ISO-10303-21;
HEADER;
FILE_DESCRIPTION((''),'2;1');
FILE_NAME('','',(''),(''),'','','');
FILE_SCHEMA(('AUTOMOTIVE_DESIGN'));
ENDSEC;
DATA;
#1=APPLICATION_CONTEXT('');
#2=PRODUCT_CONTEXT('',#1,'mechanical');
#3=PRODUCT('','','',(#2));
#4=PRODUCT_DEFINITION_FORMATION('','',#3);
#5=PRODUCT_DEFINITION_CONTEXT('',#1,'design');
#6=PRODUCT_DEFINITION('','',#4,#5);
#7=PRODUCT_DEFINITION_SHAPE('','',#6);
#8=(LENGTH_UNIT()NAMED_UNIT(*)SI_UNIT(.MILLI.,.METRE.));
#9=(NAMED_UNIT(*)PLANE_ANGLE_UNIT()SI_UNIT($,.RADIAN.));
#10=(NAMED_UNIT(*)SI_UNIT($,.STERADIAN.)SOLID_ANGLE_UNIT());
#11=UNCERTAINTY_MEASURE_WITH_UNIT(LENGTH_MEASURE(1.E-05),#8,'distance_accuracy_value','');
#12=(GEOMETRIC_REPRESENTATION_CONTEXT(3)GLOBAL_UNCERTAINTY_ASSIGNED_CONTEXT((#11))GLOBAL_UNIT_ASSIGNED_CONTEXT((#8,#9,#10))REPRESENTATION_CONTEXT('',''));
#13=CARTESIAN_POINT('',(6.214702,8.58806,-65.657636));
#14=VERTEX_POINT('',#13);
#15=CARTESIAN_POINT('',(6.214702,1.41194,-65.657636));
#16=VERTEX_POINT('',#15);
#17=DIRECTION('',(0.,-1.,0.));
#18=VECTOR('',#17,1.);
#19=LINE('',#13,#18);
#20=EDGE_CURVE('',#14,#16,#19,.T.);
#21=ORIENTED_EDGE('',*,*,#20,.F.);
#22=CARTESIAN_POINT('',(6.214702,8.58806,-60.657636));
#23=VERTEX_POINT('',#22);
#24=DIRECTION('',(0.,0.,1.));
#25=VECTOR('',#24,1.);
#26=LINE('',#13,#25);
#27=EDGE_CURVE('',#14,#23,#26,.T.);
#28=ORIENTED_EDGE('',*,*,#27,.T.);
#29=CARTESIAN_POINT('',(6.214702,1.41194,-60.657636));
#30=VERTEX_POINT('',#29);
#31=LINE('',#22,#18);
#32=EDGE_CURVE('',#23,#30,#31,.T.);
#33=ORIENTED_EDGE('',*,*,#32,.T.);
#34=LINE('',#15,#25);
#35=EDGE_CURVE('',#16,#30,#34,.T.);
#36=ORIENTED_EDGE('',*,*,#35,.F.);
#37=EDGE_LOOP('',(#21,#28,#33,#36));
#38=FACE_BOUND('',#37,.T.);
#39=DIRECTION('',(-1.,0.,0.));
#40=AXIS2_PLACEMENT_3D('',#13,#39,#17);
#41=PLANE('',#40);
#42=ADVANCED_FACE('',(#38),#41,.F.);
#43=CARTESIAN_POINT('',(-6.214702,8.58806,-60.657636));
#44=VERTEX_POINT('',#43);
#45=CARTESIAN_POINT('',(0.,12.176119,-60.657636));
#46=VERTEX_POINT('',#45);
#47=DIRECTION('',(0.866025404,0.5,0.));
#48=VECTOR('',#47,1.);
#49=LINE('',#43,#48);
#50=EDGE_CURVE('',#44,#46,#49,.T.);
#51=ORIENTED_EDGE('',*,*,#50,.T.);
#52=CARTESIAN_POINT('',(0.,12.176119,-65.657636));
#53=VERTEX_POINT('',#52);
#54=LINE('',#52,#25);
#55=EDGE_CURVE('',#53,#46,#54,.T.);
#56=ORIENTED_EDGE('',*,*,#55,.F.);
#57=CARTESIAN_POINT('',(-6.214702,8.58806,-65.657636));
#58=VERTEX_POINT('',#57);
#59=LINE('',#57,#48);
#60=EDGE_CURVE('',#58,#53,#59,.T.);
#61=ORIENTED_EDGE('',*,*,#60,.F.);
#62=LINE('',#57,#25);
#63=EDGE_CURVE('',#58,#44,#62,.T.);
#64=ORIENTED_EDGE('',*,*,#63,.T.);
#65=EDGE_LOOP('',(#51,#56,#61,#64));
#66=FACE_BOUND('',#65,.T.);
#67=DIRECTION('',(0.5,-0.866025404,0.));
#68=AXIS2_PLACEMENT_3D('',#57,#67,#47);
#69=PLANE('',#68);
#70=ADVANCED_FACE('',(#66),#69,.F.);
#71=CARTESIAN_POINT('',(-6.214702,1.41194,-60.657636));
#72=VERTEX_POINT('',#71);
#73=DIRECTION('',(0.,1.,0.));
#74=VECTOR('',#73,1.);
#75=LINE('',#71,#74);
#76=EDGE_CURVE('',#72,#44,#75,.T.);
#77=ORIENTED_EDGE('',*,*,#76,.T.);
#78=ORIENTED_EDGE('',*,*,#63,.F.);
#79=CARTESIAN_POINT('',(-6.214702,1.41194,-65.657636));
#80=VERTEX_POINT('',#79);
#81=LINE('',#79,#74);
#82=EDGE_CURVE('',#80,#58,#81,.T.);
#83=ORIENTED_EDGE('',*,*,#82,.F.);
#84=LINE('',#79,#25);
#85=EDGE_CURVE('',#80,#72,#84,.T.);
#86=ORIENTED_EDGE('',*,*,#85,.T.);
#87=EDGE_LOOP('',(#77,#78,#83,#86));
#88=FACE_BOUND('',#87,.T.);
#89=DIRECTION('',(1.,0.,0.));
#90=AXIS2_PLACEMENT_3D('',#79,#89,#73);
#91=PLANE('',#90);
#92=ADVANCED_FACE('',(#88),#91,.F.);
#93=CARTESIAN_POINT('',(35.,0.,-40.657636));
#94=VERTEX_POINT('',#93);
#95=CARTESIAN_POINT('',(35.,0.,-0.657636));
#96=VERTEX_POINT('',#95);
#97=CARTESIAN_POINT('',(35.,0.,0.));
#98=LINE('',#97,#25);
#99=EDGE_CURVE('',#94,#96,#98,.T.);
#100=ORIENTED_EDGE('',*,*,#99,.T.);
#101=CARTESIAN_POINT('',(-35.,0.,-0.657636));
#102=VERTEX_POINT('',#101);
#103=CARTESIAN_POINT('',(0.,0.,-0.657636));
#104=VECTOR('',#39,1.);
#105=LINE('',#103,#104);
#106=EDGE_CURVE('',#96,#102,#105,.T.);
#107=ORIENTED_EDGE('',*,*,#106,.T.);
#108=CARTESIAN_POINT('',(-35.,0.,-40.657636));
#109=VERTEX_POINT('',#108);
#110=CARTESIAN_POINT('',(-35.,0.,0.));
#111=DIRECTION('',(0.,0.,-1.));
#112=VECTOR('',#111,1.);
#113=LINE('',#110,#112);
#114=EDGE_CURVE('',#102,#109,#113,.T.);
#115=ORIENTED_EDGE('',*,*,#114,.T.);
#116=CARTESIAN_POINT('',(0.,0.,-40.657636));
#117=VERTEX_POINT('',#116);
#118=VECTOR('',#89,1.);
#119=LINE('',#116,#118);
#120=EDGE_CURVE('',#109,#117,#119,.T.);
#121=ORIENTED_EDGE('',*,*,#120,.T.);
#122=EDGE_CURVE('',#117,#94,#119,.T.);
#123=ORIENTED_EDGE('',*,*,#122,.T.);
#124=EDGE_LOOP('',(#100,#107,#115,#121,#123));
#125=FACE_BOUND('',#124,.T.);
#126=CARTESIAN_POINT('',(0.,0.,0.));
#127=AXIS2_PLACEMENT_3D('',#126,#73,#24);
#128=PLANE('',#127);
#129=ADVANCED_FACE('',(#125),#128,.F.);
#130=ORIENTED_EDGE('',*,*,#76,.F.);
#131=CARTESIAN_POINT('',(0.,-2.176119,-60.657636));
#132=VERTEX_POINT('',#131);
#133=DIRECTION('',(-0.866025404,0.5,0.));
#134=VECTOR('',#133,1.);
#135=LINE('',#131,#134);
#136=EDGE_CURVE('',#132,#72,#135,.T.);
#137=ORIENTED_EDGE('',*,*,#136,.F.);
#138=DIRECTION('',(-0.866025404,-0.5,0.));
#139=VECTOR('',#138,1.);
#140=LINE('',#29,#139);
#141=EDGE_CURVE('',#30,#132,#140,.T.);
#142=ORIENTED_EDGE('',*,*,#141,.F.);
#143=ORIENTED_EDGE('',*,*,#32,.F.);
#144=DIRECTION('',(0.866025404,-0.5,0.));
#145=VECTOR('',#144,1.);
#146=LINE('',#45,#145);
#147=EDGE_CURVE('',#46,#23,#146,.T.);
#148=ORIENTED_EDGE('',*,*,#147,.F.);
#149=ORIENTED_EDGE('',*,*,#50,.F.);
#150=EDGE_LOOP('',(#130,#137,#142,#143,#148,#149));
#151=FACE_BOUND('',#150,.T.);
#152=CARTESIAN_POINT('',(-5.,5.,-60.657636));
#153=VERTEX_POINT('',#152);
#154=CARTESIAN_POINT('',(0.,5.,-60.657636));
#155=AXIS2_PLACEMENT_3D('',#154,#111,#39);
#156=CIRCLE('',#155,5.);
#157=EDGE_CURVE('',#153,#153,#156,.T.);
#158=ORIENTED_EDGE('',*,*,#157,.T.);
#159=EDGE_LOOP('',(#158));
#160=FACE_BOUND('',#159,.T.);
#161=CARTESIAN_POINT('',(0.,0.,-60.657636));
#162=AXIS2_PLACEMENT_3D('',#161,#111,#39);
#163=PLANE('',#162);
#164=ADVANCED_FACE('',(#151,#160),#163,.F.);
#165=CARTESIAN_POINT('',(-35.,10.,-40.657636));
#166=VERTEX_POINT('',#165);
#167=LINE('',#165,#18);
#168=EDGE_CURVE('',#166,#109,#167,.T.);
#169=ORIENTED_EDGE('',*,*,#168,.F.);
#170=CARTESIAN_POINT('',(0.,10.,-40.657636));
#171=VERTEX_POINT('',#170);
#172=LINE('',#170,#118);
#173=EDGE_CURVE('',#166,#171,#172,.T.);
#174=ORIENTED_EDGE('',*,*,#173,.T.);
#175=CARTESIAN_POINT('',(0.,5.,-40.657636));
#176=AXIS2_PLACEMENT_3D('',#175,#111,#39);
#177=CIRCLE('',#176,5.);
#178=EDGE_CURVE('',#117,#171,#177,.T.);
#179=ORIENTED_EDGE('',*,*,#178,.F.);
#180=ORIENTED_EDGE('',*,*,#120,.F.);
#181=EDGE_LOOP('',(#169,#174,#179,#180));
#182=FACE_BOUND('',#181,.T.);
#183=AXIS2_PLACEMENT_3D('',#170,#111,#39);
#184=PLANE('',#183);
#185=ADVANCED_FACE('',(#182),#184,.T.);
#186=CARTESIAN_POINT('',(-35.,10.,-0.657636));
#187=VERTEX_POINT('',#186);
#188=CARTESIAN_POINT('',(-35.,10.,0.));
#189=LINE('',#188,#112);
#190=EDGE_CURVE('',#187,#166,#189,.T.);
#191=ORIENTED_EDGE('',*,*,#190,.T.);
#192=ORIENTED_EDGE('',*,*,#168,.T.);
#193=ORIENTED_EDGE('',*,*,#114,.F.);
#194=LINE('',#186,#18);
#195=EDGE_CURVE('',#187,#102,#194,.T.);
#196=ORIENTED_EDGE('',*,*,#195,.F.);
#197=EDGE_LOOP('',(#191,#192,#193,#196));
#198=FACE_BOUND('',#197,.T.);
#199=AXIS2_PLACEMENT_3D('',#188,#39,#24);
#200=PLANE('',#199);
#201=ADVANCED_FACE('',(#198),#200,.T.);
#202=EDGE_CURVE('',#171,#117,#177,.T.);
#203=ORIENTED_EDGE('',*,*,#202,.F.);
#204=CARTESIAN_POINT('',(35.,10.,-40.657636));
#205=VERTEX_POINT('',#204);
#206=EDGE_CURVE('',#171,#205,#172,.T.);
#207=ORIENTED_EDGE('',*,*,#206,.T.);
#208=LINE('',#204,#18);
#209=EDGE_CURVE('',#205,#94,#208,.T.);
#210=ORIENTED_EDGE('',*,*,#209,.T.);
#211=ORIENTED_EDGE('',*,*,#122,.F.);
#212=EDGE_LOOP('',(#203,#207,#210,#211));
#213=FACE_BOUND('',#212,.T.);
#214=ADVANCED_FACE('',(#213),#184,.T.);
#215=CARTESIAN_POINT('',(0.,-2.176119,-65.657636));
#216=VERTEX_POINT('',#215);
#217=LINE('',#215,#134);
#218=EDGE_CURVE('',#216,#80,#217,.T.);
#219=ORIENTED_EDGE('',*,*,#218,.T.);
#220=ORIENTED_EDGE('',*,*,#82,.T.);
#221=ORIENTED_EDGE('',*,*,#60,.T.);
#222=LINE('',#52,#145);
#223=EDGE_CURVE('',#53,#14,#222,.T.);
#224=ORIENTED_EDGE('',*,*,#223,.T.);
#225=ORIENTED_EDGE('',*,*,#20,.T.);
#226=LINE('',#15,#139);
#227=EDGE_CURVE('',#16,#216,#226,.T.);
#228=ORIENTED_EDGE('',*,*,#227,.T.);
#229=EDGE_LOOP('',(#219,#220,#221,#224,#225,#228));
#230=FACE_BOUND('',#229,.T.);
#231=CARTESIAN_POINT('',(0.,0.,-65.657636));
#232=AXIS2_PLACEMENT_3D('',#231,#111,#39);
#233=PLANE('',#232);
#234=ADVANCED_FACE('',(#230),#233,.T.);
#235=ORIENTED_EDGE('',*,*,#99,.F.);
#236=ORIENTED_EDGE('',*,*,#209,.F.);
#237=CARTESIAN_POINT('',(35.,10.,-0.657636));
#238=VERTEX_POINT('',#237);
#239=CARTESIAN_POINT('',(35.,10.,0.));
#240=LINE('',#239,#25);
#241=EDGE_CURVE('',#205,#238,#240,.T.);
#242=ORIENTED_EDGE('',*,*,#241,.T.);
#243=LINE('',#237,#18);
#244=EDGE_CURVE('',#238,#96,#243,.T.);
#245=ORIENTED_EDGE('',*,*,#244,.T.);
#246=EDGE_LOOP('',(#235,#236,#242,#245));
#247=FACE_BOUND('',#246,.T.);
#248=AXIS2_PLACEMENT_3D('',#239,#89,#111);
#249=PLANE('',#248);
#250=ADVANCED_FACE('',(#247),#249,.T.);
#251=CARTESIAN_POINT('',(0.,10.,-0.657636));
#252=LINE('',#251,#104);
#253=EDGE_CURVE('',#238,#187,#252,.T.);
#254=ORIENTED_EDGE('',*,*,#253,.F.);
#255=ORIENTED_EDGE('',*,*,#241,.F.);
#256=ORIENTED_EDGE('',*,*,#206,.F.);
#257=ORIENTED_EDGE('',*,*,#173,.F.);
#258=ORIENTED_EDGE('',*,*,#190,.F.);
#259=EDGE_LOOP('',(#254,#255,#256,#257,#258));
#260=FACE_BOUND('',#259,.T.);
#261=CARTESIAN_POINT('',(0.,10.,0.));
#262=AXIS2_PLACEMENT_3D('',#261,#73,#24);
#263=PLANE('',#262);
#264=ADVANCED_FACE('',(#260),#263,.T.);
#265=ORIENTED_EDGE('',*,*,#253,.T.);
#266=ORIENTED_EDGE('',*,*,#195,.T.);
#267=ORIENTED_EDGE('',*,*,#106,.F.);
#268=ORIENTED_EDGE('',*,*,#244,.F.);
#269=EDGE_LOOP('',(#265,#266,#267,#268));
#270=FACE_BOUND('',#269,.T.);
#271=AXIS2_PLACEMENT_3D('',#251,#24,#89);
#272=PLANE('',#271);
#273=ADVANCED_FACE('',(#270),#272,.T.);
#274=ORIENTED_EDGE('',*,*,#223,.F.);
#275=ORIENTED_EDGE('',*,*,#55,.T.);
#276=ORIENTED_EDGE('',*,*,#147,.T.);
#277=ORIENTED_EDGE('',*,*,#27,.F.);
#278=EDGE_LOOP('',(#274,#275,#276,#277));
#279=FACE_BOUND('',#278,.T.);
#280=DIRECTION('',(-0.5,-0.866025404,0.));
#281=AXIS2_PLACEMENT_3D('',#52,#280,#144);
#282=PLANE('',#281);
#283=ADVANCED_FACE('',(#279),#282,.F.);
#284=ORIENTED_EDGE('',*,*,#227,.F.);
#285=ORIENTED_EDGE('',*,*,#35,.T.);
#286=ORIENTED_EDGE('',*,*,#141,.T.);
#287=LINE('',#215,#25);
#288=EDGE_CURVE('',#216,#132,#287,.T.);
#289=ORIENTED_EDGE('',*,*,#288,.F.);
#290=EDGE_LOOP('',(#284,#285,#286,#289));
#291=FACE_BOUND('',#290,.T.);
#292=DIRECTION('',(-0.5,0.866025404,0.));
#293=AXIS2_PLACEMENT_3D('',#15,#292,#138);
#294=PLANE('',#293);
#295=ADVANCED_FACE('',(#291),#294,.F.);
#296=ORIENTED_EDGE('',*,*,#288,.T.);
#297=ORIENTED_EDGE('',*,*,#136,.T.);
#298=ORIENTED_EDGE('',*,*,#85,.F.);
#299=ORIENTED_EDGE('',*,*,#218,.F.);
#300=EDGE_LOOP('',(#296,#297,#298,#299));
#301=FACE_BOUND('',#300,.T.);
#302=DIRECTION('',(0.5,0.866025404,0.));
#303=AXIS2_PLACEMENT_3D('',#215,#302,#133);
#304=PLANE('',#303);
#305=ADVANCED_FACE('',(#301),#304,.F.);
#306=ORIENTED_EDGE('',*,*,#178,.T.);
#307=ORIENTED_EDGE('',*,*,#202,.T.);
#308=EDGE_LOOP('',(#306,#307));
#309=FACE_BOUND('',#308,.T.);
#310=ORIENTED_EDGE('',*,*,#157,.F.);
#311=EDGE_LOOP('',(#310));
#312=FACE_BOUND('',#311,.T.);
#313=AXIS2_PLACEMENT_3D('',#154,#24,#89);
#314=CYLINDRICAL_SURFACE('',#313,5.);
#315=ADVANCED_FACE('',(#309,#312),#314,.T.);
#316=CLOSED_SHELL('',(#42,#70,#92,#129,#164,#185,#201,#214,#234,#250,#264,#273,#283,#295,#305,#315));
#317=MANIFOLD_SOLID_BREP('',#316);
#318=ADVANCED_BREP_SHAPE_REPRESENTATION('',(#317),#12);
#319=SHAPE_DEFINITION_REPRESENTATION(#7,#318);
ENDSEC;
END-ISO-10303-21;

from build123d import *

# Parameters (mm, degrees)
BOSS_EXTRUDE1_DEPTH = 10
SKETCH2_R           = 5
BOSS_EXTRUDE2_DEPTH = 20
BOSS_EXTRUDE4_DEPTH = 5


with BuildPart() as part:
    # Sketch1 → Boss-Extrude1 (new body)
    with BuildSketch(Plane(origin=(0, 0, 0), x_dir=(1, 0, 0), z_dir=(0, 1, 0))):
        Polygon((-35, 40.657635654), (0, 40.657635654), (35, 40.657635654), (35, 0.657635654), (-35, 0.657635654), align=None)
    extrude(amount=BOSS_EXTRUDE1_DEPTH)

    # Sketch2 → Boss-Extrude2 (add)
    with BuildSketch(Plane(origin=(0, 0, -40.657635654), x_dir=(-1, 0, 0), z_dir=(0, 0, -1))):
        with Locations((0, 5)):
            Circle(SKETCH2_R)
    extrude(amount=BOSS_EXTRUDE2_DEPTH)

    # Sketch3 → Boss-Extrude4 (add)
    with BuildSketch(Plane(origin=(0, 0, -60.657635654), x_dir=(-1, 0, 0), z_dir=(0, 0, -1))):
        Polygon((0, -2.176119405), (6.214701705, 1.411940298), (6.214701705, 8.588059702), (0, 12.176119405), (-6.214701705, 8.588059702), (-6.214701705, 1.411940298), align=None)
    extrude(amount=BOSS_EXTRUDE4_DEPTH)


solid = part.part
